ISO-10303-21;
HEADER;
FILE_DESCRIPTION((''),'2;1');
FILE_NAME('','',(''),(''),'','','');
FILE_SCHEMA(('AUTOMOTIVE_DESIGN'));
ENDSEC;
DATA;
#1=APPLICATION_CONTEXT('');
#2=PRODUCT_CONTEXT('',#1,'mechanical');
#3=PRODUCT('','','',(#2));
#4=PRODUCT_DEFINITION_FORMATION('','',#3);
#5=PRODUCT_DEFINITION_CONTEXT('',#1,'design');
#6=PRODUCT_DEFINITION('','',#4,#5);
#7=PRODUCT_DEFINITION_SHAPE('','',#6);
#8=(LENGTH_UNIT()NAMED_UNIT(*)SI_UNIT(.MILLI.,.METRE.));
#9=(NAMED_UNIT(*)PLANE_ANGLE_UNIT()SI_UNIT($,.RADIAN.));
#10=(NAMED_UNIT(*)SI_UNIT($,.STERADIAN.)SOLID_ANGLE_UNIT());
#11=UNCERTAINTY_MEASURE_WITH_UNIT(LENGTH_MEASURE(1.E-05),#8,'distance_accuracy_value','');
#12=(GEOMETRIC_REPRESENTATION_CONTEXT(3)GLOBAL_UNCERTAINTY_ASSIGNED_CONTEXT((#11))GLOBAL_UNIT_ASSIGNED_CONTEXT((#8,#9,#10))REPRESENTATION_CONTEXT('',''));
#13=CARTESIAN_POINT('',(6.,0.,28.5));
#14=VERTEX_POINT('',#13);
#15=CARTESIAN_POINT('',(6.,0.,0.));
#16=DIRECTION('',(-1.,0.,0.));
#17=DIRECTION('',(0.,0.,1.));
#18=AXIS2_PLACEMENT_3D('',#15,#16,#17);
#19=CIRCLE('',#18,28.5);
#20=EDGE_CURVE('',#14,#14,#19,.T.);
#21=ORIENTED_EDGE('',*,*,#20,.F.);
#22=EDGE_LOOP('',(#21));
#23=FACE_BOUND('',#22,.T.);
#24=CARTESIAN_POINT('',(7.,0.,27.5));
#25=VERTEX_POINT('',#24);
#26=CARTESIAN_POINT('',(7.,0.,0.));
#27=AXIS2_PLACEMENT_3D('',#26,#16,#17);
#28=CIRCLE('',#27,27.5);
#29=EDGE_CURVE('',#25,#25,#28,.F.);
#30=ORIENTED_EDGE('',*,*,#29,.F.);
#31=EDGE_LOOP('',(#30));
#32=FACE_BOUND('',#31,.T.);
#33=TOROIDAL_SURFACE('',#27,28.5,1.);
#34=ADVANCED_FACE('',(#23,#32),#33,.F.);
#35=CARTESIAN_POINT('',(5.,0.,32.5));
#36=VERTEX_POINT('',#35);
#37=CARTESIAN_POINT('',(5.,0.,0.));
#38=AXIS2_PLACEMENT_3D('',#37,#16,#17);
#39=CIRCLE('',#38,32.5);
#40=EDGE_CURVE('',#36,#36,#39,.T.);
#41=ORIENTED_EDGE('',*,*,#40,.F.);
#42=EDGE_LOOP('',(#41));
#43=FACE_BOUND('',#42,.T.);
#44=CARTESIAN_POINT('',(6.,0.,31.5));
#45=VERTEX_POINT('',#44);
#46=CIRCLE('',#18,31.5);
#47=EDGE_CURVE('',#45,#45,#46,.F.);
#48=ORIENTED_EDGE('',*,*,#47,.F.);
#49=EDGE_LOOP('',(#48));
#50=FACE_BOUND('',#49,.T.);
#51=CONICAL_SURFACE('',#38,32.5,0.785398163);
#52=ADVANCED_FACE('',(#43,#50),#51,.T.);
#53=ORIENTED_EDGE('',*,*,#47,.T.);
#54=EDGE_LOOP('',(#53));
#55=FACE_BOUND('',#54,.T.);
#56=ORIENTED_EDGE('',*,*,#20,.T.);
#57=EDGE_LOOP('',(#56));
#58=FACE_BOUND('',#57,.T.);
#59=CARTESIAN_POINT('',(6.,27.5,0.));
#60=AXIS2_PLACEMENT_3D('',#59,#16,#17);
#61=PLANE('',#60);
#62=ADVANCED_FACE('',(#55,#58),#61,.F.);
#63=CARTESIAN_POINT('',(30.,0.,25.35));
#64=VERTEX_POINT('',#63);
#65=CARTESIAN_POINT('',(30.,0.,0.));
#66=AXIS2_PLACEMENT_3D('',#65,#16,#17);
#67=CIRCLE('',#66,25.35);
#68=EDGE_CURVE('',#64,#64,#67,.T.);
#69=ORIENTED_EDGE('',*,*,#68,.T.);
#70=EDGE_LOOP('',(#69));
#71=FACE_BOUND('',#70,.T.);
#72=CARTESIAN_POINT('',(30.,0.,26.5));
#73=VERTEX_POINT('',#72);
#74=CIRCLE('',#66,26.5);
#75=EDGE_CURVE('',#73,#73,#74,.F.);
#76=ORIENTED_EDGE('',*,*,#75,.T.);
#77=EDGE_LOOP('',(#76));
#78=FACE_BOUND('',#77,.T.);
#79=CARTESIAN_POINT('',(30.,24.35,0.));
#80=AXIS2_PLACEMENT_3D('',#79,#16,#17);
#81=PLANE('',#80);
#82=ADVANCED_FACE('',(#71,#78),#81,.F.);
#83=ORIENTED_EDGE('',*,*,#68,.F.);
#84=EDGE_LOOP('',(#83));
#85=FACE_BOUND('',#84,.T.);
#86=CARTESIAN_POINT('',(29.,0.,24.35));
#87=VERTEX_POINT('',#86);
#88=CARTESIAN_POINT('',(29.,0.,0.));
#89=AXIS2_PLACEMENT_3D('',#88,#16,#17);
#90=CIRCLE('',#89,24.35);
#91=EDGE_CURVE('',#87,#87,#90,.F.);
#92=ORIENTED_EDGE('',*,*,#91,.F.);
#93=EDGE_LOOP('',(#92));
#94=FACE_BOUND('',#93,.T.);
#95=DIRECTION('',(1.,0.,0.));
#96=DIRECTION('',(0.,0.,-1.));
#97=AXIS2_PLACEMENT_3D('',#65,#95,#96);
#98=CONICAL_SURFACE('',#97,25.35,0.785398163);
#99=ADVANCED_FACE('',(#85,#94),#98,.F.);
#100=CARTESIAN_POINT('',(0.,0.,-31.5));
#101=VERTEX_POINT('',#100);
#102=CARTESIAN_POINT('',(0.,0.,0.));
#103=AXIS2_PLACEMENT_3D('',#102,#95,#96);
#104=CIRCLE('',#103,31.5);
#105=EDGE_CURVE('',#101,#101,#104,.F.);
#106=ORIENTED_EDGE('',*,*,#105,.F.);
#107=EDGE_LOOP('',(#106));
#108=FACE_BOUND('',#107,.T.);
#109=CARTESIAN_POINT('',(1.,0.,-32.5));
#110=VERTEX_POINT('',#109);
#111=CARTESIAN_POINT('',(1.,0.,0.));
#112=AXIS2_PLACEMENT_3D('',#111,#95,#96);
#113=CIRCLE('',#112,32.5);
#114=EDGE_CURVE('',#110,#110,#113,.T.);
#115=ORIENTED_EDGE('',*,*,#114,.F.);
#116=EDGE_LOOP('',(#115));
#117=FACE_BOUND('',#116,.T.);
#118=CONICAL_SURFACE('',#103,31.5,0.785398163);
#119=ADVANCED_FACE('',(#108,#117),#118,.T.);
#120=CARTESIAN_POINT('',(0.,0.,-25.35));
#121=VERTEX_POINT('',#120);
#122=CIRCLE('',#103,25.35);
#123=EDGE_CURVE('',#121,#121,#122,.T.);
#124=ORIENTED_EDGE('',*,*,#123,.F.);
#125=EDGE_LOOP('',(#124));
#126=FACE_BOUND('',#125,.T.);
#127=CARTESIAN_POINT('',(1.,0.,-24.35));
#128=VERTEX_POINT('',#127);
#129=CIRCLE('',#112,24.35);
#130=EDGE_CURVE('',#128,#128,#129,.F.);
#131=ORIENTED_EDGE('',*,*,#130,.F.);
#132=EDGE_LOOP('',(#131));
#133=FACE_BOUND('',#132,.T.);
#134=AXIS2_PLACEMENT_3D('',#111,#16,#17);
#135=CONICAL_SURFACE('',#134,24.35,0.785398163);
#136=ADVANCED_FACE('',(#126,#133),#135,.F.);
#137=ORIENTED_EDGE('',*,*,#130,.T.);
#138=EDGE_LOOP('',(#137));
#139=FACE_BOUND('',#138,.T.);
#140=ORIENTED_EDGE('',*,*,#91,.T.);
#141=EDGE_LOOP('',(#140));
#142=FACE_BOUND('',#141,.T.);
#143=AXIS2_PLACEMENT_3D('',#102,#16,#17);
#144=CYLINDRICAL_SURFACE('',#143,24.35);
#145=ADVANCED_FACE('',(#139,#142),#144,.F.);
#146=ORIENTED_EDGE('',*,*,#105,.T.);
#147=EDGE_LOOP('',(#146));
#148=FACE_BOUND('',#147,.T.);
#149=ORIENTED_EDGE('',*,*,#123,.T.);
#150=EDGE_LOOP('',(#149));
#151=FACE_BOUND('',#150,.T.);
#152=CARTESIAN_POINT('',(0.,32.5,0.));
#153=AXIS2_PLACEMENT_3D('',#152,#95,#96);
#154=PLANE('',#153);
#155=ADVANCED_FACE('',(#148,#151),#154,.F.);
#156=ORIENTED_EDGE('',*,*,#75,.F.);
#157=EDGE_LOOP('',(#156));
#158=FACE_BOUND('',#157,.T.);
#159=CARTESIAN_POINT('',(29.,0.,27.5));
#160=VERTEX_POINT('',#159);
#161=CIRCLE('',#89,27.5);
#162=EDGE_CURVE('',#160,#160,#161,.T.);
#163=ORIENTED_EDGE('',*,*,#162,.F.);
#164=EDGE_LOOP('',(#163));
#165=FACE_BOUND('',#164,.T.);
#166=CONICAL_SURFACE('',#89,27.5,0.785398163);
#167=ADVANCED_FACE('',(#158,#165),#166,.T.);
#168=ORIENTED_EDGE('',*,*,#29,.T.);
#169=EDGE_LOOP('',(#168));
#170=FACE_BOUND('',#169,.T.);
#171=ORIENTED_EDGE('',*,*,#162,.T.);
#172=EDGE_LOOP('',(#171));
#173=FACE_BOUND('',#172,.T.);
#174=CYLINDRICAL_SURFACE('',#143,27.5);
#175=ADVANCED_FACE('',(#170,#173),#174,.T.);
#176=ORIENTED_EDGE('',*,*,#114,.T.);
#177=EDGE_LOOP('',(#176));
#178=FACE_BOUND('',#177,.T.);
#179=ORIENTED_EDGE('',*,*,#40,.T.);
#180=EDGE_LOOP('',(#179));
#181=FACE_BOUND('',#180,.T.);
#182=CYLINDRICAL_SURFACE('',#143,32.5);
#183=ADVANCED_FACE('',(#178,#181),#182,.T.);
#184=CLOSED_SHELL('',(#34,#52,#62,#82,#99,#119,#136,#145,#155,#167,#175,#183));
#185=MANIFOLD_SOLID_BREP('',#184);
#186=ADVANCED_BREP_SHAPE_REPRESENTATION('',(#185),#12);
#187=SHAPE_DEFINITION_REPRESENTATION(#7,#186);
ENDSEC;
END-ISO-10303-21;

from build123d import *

# Parameters (mm, degrees)
CHAMFER1_SIZE = 1
FILLET1_R     = 1


with BuildPart() as part:
    # Sketch1 → Revolve1 (revolve)
    with BuildSketch(Plane.XY, mode=Mode.PRIVATE) as revolve1_sk:
        Polygon((0, 24.35), (30, 24.35), (30, 27.5), (6, 27.5), (6, 32.5), (0, 32.5), align=None)
    revolve(revolve1_sk.sketch.rotate(Axis((0, 0, 0), (1, 0, 0)), 90), axis=Axis((0, 0, 0), (1, 0, 0)))

    # Chamfer1
    chamfer1_edges = [part.edges().sort_by_distance(p)[0] for p in [
        (0, 0, -32.5),
        (6, 0, -32.5),
        (30, 0, -27.5),
        (30, 0, -24.35),
        (0, 0, -24.35),
    ]]
    chamfer(chamfer1_edges, length=CHAMFER1_SIZE)

    # Fillet1
    fillet1_edges = [part.edges().sort_by_distance(p)[0] for p in [
        (6, 0, -27.5),
    ]]
    fillet(fillet1_edges, radius=FILLET1_R)


solid = part.part
